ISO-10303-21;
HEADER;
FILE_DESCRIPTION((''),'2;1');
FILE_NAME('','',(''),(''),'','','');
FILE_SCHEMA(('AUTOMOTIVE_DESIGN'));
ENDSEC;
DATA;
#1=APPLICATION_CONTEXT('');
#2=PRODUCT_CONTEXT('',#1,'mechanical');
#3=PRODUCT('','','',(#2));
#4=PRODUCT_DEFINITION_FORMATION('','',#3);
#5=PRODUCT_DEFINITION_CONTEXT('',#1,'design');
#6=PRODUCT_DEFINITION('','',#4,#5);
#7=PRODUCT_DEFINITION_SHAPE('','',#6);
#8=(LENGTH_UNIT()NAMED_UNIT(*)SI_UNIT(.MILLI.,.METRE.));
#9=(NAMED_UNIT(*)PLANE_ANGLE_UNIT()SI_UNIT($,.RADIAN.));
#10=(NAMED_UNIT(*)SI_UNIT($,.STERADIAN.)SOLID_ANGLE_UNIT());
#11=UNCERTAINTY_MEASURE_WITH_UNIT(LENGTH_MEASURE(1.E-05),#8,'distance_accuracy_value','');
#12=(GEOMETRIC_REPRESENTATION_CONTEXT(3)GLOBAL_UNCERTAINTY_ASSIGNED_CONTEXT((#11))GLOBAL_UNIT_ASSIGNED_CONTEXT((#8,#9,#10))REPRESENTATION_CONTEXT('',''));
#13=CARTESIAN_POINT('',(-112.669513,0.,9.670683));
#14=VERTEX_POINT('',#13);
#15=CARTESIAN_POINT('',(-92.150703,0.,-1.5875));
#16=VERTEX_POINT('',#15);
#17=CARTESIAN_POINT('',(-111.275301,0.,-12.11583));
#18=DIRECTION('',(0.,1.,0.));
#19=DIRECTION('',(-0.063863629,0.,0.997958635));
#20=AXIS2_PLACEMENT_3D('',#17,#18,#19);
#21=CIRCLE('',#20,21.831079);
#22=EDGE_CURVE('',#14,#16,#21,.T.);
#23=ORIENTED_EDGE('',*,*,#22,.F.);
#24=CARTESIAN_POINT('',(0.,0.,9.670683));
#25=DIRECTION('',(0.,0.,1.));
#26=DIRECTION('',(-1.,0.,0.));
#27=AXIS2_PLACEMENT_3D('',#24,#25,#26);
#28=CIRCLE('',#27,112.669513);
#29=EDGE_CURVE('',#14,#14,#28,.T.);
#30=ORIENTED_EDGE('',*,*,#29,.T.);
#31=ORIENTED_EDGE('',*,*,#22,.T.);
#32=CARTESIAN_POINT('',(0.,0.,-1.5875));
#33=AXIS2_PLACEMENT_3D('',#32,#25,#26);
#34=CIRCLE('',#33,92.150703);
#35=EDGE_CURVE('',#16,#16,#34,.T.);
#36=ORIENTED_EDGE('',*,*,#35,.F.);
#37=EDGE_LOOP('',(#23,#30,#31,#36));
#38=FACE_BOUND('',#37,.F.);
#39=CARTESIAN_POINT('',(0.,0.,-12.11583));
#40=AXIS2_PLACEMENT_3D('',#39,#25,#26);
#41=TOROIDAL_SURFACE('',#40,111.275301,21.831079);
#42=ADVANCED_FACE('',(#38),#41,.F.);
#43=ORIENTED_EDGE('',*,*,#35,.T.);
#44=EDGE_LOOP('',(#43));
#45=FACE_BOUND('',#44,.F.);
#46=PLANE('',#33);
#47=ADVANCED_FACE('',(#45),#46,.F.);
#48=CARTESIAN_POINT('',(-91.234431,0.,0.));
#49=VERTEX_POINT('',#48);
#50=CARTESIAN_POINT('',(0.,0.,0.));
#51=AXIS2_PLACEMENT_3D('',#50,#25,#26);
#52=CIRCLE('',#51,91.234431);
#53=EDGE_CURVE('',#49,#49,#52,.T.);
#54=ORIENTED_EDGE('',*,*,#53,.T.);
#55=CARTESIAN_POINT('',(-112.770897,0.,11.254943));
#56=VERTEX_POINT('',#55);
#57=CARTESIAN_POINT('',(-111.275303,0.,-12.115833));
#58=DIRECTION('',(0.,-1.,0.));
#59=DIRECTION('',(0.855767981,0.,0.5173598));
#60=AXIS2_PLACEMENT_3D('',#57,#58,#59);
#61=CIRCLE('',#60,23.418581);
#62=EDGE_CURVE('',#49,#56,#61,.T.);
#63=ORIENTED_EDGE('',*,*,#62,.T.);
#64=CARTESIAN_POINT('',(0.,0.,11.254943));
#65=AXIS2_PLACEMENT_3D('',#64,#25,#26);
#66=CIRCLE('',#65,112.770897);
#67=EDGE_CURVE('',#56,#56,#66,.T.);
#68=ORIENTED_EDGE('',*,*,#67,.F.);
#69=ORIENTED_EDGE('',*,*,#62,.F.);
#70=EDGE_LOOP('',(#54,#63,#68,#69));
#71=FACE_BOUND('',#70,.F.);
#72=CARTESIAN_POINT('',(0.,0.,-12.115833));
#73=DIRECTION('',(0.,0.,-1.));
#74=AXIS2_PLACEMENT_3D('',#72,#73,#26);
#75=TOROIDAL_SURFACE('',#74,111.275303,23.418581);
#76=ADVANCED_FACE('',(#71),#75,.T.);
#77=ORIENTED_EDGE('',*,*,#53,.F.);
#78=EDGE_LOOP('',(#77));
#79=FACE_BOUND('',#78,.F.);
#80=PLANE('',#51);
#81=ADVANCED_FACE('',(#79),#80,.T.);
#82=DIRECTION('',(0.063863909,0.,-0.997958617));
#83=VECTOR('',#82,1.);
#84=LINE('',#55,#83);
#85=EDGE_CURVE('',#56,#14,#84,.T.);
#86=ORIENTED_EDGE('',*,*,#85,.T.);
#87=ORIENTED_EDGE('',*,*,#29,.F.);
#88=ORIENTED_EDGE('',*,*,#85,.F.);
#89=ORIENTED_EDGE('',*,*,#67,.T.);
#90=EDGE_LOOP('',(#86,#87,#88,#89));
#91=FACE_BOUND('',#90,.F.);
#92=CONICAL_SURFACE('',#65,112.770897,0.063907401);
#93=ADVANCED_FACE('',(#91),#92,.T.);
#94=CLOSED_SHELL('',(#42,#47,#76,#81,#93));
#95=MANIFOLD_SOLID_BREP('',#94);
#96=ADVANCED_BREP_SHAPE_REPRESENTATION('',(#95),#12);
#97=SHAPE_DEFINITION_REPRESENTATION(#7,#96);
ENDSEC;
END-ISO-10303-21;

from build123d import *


with BuildPart() as f1:
    # F0 (on Front) → F1 (revolve)
    with BuildSketch(Plane.XZ):
        with BuildLine():
            Line((0, -1.5875), (0, 0))
            Line((0, 0), (-91.234431, 0))
            ThreePointArc((-91.234431, 0), (-100.428632, 8.6394), (-112.770897, 11.254943))
            Line((-112.770897, 11.254943), (-112.669513, 9.670683))
            ThreePointArc((-112.669513, 9.670683), (-100.773953, 7.023597), (-92.150703, -1.5875))
            Line((-92.150703, -1.5875), (0, -1.5875))
        make_face()
    revolve(axis=Axis((0, 0, 36.733754), (0, 0, 1)))


solid = f1.part
